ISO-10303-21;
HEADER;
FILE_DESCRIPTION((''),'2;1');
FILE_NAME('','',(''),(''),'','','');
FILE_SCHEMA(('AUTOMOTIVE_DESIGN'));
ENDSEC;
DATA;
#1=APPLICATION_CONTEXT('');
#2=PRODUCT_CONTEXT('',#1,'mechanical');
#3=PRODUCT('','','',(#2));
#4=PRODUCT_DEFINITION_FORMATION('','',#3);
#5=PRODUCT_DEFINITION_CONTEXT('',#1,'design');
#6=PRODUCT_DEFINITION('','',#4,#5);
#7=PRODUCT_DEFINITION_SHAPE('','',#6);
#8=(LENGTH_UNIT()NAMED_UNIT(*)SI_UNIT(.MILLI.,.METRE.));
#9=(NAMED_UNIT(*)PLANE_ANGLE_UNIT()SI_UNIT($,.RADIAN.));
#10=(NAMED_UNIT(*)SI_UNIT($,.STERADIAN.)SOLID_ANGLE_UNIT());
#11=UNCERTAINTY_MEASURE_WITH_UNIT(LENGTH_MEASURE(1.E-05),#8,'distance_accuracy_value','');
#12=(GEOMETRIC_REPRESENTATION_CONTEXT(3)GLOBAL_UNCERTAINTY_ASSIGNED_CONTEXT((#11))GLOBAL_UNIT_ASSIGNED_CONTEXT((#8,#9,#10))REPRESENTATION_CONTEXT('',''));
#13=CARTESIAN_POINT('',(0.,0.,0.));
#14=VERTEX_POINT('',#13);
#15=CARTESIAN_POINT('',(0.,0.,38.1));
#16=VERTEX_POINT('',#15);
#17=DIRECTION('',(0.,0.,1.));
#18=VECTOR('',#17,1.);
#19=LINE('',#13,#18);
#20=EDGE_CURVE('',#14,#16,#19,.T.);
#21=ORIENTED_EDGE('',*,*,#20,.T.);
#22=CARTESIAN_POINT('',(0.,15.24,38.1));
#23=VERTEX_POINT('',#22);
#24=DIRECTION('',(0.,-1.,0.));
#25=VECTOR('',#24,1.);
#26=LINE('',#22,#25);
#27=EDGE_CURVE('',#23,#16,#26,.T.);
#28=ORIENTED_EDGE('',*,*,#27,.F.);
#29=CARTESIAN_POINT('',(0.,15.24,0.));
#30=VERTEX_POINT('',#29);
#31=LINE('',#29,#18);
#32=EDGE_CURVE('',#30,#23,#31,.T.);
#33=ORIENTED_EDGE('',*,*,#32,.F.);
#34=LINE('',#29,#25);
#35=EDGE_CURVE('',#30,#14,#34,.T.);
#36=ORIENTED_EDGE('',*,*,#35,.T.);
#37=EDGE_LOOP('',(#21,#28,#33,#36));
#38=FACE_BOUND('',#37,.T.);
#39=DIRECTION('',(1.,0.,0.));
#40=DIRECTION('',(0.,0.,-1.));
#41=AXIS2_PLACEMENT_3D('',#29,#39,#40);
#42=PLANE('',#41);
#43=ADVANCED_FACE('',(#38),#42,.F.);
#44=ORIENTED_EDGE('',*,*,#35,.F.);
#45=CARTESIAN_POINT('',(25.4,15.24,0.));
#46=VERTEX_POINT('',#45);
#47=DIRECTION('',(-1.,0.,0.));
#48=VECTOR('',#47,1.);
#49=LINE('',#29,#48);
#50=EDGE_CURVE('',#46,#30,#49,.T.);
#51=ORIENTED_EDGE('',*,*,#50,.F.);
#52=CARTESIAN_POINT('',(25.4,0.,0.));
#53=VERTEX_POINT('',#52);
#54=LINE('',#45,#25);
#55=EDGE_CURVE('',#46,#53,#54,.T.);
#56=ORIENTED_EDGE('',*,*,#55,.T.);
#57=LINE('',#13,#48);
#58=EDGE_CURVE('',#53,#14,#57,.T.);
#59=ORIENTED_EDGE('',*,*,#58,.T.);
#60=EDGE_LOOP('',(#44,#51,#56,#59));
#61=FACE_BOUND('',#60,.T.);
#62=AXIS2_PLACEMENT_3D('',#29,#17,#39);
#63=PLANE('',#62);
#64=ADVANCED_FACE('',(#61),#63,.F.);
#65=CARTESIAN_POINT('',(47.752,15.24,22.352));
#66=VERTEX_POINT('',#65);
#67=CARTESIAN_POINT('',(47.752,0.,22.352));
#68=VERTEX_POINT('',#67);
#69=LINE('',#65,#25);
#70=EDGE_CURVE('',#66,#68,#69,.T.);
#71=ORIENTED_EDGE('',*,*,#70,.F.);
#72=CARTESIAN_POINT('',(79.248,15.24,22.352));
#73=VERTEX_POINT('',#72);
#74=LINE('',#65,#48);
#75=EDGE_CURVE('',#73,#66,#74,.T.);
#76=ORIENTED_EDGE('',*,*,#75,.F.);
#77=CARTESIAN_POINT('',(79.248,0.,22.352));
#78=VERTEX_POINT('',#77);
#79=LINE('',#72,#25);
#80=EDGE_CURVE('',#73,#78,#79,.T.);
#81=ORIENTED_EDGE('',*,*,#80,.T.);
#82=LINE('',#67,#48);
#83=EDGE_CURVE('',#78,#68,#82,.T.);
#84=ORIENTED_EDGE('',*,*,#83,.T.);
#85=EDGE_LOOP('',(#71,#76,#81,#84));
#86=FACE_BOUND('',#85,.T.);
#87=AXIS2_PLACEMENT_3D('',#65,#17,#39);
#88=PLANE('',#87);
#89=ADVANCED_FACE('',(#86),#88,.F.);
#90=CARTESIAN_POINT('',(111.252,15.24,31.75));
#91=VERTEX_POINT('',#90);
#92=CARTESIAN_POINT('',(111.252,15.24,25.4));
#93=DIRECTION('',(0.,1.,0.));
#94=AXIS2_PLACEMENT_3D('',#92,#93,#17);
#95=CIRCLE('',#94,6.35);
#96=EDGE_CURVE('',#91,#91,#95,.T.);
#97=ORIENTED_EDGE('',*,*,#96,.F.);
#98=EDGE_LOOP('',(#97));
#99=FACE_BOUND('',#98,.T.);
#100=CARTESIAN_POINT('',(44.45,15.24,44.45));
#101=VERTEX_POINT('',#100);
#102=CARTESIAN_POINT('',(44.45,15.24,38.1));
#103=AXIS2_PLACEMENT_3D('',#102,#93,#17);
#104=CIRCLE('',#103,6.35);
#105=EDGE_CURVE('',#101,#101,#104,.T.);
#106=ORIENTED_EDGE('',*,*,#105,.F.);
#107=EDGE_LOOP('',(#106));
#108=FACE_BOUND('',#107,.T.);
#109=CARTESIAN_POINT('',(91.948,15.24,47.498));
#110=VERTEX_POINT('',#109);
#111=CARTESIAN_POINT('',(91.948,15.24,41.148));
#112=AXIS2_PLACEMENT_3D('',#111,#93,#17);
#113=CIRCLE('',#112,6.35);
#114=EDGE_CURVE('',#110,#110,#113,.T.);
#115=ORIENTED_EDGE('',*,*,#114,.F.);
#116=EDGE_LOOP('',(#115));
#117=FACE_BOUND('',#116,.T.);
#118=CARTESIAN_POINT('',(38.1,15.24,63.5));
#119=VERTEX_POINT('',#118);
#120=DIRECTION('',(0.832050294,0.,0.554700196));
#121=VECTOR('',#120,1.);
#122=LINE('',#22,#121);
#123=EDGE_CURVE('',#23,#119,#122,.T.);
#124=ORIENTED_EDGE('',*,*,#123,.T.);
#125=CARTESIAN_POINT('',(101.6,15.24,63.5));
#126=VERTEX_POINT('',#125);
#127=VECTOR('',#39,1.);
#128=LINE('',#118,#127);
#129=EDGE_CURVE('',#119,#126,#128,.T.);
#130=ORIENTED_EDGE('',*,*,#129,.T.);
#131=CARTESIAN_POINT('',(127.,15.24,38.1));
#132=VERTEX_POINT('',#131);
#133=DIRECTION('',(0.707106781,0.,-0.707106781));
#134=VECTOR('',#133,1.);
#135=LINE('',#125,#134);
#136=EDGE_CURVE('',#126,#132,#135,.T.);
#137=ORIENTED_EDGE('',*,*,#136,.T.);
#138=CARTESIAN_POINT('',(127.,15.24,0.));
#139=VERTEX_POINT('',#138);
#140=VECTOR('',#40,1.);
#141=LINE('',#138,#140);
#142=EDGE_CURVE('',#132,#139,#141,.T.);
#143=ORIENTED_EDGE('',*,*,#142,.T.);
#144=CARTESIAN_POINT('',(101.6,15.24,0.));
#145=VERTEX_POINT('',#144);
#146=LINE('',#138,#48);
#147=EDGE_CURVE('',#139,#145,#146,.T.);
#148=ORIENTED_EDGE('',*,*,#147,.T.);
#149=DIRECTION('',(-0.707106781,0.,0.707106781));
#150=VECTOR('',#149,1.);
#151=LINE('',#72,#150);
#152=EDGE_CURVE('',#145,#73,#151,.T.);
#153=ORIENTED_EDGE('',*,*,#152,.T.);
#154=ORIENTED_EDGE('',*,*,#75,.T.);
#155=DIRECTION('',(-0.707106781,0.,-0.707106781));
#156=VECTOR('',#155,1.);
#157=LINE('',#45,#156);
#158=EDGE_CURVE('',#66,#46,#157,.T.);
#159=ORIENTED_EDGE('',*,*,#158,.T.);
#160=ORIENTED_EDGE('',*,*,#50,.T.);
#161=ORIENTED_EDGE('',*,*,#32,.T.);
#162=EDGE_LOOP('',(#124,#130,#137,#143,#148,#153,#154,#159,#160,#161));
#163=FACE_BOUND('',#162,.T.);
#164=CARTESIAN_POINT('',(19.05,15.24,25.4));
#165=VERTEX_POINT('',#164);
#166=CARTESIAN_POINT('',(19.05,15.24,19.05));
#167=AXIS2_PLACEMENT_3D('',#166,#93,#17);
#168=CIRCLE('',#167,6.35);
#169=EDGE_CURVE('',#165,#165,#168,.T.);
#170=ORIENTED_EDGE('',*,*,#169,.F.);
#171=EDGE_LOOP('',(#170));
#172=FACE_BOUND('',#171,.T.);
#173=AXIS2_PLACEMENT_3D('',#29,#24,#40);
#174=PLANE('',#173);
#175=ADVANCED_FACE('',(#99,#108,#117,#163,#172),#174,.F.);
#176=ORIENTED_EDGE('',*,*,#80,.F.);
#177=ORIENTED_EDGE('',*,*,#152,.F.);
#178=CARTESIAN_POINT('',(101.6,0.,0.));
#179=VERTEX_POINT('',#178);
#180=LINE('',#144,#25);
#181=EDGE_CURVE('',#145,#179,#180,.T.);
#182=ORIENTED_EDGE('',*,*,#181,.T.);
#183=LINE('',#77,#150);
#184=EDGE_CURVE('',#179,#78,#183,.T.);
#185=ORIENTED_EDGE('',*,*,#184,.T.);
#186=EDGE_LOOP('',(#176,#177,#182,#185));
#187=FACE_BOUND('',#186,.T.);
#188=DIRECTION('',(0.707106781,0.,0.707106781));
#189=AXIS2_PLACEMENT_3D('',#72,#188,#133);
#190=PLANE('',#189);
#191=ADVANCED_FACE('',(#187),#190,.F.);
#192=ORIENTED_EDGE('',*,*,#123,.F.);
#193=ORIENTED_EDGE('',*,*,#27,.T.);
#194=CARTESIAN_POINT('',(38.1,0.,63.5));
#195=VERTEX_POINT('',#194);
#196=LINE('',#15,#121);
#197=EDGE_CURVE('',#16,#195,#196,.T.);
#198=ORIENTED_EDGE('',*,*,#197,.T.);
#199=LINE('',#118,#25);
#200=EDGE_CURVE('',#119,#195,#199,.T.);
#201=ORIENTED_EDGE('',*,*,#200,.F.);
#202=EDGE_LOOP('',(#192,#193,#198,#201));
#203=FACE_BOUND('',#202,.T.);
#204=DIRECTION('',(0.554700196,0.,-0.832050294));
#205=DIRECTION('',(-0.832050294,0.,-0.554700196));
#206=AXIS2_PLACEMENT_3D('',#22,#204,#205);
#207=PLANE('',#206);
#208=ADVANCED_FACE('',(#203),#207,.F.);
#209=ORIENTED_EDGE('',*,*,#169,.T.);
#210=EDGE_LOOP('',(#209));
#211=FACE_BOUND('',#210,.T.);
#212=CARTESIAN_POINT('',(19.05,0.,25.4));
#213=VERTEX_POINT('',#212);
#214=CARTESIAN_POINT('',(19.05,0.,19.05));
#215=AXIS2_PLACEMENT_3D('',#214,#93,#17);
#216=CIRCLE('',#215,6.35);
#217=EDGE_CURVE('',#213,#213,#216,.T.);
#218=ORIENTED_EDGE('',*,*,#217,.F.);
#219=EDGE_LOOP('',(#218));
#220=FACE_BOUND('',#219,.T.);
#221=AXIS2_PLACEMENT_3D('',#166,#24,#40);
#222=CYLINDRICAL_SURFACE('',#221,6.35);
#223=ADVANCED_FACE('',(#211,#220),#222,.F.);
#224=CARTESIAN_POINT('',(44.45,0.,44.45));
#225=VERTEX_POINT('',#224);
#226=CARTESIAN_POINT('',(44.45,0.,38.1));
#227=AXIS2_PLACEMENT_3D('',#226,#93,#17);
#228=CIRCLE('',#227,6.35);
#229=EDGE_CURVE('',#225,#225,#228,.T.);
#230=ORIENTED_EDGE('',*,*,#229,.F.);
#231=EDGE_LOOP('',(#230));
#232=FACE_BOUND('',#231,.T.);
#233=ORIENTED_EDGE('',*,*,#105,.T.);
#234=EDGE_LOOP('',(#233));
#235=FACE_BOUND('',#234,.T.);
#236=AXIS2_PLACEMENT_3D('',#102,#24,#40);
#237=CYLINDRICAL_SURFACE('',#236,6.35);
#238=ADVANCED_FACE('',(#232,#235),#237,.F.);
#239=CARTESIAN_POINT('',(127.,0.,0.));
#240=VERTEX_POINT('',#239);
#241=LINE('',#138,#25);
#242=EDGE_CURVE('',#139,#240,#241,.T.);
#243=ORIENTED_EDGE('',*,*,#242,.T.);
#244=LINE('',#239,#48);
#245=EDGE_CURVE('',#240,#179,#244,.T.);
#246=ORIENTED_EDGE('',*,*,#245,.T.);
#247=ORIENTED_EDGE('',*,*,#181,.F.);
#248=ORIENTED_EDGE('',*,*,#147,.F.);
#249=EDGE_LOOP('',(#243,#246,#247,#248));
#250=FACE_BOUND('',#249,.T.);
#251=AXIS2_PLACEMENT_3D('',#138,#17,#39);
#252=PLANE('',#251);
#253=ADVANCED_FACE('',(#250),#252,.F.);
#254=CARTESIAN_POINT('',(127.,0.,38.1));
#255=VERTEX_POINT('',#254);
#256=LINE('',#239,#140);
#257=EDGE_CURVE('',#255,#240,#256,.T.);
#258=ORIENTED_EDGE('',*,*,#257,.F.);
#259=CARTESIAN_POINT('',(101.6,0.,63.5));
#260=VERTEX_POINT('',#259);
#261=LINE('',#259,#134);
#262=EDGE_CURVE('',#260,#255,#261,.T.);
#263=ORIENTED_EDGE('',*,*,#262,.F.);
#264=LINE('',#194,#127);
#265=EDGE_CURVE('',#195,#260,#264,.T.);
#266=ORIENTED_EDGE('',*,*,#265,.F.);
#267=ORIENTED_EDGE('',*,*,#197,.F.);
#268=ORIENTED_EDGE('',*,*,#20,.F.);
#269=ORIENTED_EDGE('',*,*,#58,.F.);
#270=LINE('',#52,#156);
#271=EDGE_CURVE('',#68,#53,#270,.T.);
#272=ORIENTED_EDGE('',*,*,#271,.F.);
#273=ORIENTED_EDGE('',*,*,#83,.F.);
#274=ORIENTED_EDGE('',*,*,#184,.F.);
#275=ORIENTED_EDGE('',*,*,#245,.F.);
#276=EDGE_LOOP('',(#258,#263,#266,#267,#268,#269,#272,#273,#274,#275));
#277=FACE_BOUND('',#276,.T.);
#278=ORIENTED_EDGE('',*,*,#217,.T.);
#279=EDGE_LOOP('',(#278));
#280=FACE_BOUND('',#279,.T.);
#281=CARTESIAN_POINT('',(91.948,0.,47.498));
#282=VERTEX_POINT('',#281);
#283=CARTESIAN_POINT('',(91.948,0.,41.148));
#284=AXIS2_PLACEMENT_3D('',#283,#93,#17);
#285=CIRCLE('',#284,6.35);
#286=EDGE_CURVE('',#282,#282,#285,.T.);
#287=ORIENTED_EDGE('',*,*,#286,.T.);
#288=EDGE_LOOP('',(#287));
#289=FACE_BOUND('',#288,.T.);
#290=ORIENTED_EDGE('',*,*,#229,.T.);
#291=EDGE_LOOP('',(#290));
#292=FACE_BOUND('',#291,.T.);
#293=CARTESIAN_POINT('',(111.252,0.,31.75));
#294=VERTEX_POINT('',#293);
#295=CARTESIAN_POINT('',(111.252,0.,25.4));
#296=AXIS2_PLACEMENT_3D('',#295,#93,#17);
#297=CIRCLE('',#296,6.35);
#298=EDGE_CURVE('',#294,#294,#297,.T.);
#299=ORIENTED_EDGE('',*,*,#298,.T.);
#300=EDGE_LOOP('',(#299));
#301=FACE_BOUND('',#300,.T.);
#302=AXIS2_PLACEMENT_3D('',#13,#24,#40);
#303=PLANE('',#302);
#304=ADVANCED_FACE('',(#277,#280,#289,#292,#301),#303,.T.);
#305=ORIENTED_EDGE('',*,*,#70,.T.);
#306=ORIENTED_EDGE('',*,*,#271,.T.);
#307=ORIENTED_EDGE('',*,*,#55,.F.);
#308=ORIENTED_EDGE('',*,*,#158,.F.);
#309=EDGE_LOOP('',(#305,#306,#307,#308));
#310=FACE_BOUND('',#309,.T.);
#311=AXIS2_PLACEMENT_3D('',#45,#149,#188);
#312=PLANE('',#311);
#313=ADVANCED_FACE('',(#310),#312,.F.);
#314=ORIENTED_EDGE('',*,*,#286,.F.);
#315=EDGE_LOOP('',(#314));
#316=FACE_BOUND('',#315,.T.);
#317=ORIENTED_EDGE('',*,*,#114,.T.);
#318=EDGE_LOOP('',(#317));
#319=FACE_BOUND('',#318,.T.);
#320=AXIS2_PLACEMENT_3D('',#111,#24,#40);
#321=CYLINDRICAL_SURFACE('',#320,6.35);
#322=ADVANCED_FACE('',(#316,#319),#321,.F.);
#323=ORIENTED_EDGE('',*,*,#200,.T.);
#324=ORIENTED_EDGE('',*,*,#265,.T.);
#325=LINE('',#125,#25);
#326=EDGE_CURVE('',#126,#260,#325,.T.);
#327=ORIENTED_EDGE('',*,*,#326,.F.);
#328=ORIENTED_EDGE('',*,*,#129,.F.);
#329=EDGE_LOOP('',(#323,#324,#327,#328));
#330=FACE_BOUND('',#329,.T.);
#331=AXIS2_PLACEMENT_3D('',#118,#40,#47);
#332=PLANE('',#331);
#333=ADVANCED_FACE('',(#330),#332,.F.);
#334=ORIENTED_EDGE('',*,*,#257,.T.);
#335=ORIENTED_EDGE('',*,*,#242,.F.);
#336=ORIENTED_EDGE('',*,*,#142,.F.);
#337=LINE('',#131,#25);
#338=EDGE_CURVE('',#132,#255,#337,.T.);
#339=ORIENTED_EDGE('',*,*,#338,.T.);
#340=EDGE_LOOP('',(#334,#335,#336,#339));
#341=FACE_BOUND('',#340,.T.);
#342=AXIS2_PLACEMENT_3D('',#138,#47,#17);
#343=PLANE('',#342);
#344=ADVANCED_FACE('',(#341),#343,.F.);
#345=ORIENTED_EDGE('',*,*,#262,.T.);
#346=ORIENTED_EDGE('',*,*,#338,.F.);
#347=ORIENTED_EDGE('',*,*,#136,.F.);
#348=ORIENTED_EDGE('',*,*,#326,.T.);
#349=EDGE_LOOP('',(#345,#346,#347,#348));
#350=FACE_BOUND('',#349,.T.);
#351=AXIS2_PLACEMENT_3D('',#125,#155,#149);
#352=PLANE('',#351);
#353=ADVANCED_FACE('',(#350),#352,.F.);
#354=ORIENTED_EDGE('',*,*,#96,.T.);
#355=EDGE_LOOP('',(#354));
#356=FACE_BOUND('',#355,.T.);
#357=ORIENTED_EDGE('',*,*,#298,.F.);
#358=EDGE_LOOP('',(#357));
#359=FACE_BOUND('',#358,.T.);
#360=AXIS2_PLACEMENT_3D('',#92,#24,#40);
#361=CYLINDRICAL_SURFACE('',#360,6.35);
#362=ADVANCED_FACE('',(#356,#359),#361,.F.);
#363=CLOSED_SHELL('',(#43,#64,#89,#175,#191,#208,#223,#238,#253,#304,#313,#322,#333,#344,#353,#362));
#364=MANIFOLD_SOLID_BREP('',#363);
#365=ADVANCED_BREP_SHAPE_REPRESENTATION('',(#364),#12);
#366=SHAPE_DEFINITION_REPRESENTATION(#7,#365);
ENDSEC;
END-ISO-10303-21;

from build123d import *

# Parameters (mm, degrees)
SKETCH1_R           = 6.35
BOSS_EXTRUDE1_DEPTH = 15.24


with BuildPart() as part:
    # Sketch1 → Boss-Extrude1 (new body)
    with BuildSketch(Plane(origin=(0, 0, 0), x_dir=(1, 0, 0), z_dir=(0, 1, 0))):
        Polygon((79.248, -22.352), (101.6, 0), (127, 0), (127, -38.1), (101.6, -63.5), (38.1, -63.5), (0, -38.1), (0, 0), (25.4, 0), (47.752, -22.352), align=None)
        with Locations((19.05, -19.05)):
            Circle(SKETCH1_R, mode=Mode.SUBTRACT)
        with Locations((111.252, -25.4)):
            Circle(SKETCH1_R, mode=Mode.SUBTRACT)
        with Locations((44.45, -38.1)):
            Circle(SKETCH1_R, mode=Mode.SUBTRACT)
        with Locations((91.948, -41.148)):
            Circle(SKETCH1_R, mode=Mode.SUBTRACT)
    extrude(amount=BOSS_EXTRUDE1_DEPTH)


solid = part.part
